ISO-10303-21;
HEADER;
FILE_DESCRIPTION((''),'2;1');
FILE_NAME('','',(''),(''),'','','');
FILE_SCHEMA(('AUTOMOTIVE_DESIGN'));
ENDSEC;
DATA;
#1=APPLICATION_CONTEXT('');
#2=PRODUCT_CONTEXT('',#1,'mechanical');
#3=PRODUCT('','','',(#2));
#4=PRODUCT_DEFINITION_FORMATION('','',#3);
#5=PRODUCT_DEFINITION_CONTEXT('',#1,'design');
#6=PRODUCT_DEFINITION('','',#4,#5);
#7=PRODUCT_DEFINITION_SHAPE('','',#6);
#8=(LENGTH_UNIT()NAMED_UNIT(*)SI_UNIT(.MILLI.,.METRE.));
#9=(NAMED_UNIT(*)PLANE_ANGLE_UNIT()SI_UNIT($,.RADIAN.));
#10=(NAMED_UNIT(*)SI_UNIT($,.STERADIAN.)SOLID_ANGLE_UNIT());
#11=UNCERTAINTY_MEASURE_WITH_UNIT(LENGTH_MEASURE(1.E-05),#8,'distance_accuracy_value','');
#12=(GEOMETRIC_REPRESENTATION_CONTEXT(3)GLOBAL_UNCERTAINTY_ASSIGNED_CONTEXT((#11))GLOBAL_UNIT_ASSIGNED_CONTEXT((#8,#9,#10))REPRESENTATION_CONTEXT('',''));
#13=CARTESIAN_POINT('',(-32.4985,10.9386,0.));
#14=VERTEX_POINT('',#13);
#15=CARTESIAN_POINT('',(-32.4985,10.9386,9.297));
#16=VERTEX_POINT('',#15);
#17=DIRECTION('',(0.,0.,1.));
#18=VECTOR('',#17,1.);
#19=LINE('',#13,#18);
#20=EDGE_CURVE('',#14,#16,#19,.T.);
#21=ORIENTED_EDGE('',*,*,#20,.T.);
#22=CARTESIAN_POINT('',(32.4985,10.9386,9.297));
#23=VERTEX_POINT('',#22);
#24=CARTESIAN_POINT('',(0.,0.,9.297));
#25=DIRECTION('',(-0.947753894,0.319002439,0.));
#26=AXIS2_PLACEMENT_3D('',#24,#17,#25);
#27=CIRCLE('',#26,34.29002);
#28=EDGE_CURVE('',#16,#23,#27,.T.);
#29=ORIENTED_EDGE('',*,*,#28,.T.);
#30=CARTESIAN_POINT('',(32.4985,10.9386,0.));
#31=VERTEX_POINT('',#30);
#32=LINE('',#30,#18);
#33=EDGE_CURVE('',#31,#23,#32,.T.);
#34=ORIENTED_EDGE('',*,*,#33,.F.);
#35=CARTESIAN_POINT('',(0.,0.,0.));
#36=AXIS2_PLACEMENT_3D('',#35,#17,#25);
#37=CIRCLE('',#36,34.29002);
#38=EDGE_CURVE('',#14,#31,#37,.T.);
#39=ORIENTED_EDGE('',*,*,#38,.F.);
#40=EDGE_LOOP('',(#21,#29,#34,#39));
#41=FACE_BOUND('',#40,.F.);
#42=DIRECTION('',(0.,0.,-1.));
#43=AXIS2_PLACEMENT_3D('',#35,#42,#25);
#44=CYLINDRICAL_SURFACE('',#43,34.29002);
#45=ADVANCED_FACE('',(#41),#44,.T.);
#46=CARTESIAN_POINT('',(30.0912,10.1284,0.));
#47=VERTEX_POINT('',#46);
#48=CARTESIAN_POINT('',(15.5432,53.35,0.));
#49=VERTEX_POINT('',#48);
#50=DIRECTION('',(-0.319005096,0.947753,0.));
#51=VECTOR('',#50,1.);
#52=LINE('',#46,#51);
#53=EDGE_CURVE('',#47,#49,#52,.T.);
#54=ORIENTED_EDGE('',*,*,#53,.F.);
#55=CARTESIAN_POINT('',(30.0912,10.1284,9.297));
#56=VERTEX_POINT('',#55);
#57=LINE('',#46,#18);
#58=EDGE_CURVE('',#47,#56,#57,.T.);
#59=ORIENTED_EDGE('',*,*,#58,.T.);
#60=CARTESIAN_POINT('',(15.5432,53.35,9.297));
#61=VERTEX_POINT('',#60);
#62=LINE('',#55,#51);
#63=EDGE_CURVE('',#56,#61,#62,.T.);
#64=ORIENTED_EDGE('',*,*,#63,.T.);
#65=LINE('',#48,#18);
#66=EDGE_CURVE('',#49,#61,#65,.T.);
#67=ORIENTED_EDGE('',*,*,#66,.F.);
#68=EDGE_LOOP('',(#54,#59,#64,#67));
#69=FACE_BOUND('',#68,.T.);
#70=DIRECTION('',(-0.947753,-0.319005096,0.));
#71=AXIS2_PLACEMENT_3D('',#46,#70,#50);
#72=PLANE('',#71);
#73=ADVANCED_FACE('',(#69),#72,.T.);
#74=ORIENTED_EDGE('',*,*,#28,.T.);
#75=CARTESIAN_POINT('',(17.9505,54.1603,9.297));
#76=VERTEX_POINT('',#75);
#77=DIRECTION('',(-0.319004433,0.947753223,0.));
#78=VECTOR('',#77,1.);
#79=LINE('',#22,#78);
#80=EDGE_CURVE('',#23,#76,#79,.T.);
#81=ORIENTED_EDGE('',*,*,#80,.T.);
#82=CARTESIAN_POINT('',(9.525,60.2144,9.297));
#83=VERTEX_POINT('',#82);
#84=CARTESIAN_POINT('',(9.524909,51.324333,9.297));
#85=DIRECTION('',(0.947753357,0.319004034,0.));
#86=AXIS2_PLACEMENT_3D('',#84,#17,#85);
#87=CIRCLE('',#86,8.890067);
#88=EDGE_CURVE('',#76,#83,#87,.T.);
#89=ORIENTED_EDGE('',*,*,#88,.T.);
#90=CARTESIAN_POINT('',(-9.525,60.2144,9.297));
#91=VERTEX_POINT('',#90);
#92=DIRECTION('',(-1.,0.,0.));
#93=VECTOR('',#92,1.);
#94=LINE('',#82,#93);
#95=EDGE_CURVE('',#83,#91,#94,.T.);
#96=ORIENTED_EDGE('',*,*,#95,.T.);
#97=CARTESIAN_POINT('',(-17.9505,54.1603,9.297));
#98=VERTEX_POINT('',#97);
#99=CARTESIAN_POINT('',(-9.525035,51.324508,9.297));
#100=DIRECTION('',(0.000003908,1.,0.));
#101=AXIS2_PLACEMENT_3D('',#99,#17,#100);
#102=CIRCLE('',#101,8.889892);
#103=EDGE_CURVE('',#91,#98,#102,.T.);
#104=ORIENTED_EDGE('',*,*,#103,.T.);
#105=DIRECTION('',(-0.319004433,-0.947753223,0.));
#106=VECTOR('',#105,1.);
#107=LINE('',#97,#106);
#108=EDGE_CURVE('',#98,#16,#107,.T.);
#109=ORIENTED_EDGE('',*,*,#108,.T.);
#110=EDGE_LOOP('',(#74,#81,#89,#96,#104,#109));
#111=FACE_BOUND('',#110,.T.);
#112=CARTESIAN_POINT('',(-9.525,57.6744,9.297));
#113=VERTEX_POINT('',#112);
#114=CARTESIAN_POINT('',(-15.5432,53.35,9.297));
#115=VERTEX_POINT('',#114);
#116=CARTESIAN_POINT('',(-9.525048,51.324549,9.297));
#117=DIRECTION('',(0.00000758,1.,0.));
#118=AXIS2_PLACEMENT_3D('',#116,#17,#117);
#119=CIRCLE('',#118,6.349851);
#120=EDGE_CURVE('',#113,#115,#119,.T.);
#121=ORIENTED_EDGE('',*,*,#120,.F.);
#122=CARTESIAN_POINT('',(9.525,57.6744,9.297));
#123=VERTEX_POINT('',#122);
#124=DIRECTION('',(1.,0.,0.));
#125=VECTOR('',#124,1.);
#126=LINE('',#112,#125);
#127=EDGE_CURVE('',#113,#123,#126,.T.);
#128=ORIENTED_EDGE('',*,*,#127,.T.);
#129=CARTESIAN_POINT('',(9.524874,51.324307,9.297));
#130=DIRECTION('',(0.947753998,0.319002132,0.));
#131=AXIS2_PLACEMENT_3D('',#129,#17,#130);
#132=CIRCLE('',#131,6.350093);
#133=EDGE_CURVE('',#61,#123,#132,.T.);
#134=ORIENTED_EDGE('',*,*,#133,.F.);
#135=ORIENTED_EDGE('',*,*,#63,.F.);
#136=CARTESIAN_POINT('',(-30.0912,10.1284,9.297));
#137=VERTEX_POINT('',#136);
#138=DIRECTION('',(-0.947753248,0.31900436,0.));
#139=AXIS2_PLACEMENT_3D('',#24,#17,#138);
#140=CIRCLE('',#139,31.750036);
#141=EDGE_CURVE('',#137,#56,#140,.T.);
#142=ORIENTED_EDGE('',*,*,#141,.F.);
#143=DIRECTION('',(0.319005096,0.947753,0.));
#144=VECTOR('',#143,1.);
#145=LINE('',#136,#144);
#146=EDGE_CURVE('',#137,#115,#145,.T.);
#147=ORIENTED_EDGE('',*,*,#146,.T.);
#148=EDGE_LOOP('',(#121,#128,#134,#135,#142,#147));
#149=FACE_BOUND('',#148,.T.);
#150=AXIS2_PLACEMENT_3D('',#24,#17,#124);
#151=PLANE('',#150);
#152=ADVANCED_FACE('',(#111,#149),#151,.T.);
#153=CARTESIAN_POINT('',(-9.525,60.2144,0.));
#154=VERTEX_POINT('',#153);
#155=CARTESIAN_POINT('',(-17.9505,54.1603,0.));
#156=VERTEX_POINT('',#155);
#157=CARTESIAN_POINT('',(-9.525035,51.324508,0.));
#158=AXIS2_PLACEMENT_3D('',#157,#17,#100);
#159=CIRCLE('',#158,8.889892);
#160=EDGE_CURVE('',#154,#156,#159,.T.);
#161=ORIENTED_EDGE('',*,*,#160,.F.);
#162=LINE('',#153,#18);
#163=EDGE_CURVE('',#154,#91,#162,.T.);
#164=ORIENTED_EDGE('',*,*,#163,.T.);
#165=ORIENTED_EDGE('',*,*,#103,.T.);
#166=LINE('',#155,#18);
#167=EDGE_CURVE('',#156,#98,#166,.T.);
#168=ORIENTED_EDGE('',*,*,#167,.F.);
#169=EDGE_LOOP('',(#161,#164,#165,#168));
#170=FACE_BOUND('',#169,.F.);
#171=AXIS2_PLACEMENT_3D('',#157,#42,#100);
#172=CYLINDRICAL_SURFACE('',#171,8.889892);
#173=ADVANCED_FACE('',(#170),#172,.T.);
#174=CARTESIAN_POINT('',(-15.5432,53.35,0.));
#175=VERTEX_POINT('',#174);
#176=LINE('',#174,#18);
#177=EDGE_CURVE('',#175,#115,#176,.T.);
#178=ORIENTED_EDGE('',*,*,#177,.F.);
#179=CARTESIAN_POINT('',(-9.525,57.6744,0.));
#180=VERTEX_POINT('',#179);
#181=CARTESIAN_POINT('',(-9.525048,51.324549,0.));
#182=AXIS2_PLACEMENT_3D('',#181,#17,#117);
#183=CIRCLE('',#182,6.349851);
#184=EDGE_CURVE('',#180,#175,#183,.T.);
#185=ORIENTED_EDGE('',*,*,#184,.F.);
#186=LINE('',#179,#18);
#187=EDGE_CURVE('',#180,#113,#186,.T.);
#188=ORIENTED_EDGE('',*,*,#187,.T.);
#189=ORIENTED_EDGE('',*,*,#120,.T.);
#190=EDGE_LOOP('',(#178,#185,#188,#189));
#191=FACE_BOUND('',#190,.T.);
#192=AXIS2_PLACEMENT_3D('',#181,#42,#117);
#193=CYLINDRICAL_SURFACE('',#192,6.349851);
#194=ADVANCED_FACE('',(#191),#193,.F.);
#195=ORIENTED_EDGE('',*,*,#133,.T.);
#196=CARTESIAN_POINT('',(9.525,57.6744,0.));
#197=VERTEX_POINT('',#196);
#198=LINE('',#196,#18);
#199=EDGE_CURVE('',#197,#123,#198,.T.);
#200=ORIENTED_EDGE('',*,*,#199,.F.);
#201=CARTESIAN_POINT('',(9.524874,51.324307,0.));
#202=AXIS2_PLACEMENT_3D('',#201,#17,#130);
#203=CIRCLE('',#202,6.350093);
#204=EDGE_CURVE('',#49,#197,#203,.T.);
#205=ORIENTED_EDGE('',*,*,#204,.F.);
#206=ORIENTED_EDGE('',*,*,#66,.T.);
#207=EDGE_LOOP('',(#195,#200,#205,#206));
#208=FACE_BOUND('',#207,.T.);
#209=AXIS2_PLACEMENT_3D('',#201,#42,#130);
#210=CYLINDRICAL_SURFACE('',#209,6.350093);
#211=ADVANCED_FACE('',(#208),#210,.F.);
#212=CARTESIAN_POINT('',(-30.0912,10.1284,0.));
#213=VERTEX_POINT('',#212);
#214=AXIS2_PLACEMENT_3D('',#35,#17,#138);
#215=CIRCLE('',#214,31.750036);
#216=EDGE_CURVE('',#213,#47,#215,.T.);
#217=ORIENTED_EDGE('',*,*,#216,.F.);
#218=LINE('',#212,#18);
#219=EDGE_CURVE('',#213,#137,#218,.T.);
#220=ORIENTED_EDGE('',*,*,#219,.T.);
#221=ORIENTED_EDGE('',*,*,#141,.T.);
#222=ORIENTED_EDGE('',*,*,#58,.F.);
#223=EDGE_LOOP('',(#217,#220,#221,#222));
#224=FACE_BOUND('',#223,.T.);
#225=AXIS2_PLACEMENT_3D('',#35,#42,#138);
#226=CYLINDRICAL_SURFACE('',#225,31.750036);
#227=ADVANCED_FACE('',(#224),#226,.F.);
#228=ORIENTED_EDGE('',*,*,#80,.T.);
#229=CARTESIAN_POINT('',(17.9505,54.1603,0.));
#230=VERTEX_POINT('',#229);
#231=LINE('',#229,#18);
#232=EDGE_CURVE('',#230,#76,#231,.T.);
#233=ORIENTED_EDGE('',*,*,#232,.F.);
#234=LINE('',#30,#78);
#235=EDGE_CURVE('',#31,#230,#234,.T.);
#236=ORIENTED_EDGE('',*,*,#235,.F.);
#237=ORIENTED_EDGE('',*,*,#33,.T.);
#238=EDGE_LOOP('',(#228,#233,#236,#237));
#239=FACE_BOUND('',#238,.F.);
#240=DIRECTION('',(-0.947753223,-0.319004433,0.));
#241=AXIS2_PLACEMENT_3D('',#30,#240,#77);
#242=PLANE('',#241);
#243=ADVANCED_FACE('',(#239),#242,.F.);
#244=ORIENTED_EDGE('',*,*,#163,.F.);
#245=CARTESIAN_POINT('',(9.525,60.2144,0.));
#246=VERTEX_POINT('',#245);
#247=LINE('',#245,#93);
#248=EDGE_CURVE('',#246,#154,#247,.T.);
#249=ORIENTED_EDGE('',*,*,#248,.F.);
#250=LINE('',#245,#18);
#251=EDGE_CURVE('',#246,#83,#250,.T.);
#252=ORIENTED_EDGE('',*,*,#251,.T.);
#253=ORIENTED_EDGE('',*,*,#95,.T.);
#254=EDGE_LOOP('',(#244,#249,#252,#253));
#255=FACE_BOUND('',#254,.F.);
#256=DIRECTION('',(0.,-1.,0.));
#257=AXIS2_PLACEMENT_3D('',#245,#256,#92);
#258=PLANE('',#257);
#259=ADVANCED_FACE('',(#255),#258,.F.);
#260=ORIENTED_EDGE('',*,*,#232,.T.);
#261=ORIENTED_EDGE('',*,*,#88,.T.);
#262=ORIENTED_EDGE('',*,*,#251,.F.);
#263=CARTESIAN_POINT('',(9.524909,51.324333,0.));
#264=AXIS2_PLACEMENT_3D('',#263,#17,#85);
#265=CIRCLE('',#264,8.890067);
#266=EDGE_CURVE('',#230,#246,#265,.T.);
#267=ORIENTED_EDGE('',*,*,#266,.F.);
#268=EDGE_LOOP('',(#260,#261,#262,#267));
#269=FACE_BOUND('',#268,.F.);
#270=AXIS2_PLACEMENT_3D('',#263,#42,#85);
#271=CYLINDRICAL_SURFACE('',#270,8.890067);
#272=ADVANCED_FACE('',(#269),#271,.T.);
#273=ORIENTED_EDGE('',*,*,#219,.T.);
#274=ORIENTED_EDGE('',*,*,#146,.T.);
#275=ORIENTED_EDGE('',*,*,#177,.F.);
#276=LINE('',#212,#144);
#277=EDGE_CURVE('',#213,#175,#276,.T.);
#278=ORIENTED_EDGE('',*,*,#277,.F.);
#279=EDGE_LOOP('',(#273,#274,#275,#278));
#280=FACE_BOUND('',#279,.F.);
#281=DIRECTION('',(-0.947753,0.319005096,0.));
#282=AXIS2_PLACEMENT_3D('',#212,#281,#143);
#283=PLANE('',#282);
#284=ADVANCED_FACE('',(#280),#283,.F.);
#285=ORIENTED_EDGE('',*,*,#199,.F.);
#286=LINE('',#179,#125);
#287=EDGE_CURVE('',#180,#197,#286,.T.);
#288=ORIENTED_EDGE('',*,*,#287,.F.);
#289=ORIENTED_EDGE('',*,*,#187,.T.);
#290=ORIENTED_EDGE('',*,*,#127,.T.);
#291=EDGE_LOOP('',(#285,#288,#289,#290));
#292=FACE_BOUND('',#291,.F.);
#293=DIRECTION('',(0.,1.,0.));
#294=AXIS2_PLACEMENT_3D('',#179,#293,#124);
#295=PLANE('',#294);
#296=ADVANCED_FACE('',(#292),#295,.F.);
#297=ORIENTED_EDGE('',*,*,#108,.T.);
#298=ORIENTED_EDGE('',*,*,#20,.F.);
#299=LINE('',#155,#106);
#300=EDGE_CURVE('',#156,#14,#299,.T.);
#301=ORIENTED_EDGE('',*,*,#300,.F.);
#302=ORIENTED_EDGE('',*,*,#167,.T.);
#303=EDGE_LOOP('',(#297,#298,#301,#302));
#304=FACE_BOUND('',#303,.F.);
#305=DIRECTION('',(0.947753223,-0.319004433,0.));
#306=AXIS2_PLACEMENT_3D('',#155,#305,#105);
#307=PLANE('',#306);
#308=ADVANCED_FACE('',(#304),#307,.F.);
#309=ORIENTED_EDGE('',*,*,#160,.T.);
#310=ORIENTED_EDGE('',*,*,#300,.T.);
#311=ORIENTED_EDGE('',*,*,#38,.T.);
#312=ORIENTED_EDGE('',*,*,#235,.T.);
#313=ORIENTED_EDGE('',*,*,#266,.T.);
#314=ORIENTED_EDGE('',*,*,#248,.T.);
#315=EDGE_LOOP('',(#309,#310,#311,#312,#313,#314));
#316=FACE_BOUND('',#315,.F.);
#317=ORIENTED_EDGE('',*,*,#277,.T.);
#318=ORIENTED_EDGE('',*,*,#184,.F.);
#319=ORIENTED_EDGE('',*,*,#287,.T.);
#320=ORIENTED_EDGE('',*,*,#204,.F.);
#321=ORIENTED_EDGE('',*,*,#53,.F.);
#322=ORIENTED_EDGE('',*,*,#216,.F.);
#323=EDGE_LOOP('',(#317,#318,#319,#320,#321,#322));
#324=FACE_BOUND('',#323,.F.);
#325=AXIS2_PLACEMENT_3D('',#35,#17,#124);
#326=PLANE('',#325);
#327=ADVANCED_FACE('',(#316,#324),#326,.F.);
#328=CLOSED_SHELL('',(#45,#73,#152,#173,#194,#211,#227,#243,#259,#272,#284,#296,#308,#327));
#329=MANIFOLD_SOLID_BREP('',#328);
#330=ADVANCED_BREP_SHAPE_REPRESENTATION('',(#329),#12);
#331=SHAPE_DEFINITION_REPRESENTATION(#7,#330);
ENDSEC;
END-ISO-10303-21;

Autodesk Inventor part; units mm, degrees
ref_plane "YZ Plane" through (0, 0, 0) normal (1, 0, 0) x (0, 1, 0)
ref_plane "XZ Plane" through (0, 0, 0) normal (0, 1, 0) x (-1, 0, 0)
ref_plane "XY Plane" through (0, 0, 0) normal (0, 0, 1) x (1, 0, 0)
sketch "Sketch1" plane through (0, 0, 0) normal (0, 0, 1) x (1, 0, 0)
  line L0 (-15.875, 29.0994) -> (-12.7, 29.0994) construction
  line L1 (-15.875, 51.3244) -> (-15.875, 29.0994) construction
  arc A0 (-9.525, 57.6744) -> (-15.875, 51.3244) centre (-9.525, 51.3244) ccw construction
  line L2 (9.525, 57.6744) -> (-9.525, 57.6744) construction
  arc A1 (15.875, 51.3244) -> (9.525, 57.6744) centre (9.525, 51.3244) ccw construction
  line L3 (15.875, 29.0994) -> (15.875, 51.3244) construction
  line L4 (12.7, 29.0994) -> (15.875, 29.0994) construction
  line L5 (12.7, 51.3244) -> (12.7, 29.0994) construction
  arc A2 (12.7, 51.3244) -> (9.525, 54.4994) centre (9.525, 51.3244) ccw construction
  line L6 (-9.525, 54.4994) -> (9.525, 54.4994) construction
  arc A3 (-9.525, 54.4994) -> (-12.7, 51.3244) centre (-9.525, 51.3244) ccw construction
  line L7 (-12.7, 29.0994) -> (-12.7, 51.3244) construction
  line L8 (-30.0912, 10.1284) -> (-15.5432, 53.35)
  line L9 (30.0912, 10.1284) -> (15.5432, 53.35)
  arc A4 (-9.525, 57.6744) -> (-15.5432, 53.35) centre (-9.525, 51.3244) ccw
  arc A5 (15.5432, 53.35) -> (9.525, 57.6744) centre (9.525, 51.3244) ccw
  line L10 (-9.525, 57.6744) -> (9.525, 57.6744)
  arc A6 (-30.0912, 10.1284) -> (30.0912, 10.1284) centre (0, 0) ccw
  line L11 (-17.9505, 54.1603) -> (-32.4985, 10.9386)
  arc A7 (-32.4985, 10.9386) -> (32.4985, 10.9386) centre (0, 0) ccw
  line L12 (32.4985, 10.9386) -> (17.9505, 54.1603)
  arc A8 (17.9505, 54.1603) -> (9.525, 60.2144) centre (9.525, 51.3244) ccw
  line L13 (9.525, 60.2144) -> (-9.525, 60.2144)
  arc A9 (-9.525, 60.2144) -> (-17.9505, 54.1603) centre (-9.525, 51.3244) ccw
  circle A10 centre (0, 0) radius 31.75 construction
  dimension "d0" = 2.54
extrude "Extrusion1" add sketch "Sketch1" along normal blind 9.297
properties part number "Weight Shifter Tension Strap 2" material "Rubber"
